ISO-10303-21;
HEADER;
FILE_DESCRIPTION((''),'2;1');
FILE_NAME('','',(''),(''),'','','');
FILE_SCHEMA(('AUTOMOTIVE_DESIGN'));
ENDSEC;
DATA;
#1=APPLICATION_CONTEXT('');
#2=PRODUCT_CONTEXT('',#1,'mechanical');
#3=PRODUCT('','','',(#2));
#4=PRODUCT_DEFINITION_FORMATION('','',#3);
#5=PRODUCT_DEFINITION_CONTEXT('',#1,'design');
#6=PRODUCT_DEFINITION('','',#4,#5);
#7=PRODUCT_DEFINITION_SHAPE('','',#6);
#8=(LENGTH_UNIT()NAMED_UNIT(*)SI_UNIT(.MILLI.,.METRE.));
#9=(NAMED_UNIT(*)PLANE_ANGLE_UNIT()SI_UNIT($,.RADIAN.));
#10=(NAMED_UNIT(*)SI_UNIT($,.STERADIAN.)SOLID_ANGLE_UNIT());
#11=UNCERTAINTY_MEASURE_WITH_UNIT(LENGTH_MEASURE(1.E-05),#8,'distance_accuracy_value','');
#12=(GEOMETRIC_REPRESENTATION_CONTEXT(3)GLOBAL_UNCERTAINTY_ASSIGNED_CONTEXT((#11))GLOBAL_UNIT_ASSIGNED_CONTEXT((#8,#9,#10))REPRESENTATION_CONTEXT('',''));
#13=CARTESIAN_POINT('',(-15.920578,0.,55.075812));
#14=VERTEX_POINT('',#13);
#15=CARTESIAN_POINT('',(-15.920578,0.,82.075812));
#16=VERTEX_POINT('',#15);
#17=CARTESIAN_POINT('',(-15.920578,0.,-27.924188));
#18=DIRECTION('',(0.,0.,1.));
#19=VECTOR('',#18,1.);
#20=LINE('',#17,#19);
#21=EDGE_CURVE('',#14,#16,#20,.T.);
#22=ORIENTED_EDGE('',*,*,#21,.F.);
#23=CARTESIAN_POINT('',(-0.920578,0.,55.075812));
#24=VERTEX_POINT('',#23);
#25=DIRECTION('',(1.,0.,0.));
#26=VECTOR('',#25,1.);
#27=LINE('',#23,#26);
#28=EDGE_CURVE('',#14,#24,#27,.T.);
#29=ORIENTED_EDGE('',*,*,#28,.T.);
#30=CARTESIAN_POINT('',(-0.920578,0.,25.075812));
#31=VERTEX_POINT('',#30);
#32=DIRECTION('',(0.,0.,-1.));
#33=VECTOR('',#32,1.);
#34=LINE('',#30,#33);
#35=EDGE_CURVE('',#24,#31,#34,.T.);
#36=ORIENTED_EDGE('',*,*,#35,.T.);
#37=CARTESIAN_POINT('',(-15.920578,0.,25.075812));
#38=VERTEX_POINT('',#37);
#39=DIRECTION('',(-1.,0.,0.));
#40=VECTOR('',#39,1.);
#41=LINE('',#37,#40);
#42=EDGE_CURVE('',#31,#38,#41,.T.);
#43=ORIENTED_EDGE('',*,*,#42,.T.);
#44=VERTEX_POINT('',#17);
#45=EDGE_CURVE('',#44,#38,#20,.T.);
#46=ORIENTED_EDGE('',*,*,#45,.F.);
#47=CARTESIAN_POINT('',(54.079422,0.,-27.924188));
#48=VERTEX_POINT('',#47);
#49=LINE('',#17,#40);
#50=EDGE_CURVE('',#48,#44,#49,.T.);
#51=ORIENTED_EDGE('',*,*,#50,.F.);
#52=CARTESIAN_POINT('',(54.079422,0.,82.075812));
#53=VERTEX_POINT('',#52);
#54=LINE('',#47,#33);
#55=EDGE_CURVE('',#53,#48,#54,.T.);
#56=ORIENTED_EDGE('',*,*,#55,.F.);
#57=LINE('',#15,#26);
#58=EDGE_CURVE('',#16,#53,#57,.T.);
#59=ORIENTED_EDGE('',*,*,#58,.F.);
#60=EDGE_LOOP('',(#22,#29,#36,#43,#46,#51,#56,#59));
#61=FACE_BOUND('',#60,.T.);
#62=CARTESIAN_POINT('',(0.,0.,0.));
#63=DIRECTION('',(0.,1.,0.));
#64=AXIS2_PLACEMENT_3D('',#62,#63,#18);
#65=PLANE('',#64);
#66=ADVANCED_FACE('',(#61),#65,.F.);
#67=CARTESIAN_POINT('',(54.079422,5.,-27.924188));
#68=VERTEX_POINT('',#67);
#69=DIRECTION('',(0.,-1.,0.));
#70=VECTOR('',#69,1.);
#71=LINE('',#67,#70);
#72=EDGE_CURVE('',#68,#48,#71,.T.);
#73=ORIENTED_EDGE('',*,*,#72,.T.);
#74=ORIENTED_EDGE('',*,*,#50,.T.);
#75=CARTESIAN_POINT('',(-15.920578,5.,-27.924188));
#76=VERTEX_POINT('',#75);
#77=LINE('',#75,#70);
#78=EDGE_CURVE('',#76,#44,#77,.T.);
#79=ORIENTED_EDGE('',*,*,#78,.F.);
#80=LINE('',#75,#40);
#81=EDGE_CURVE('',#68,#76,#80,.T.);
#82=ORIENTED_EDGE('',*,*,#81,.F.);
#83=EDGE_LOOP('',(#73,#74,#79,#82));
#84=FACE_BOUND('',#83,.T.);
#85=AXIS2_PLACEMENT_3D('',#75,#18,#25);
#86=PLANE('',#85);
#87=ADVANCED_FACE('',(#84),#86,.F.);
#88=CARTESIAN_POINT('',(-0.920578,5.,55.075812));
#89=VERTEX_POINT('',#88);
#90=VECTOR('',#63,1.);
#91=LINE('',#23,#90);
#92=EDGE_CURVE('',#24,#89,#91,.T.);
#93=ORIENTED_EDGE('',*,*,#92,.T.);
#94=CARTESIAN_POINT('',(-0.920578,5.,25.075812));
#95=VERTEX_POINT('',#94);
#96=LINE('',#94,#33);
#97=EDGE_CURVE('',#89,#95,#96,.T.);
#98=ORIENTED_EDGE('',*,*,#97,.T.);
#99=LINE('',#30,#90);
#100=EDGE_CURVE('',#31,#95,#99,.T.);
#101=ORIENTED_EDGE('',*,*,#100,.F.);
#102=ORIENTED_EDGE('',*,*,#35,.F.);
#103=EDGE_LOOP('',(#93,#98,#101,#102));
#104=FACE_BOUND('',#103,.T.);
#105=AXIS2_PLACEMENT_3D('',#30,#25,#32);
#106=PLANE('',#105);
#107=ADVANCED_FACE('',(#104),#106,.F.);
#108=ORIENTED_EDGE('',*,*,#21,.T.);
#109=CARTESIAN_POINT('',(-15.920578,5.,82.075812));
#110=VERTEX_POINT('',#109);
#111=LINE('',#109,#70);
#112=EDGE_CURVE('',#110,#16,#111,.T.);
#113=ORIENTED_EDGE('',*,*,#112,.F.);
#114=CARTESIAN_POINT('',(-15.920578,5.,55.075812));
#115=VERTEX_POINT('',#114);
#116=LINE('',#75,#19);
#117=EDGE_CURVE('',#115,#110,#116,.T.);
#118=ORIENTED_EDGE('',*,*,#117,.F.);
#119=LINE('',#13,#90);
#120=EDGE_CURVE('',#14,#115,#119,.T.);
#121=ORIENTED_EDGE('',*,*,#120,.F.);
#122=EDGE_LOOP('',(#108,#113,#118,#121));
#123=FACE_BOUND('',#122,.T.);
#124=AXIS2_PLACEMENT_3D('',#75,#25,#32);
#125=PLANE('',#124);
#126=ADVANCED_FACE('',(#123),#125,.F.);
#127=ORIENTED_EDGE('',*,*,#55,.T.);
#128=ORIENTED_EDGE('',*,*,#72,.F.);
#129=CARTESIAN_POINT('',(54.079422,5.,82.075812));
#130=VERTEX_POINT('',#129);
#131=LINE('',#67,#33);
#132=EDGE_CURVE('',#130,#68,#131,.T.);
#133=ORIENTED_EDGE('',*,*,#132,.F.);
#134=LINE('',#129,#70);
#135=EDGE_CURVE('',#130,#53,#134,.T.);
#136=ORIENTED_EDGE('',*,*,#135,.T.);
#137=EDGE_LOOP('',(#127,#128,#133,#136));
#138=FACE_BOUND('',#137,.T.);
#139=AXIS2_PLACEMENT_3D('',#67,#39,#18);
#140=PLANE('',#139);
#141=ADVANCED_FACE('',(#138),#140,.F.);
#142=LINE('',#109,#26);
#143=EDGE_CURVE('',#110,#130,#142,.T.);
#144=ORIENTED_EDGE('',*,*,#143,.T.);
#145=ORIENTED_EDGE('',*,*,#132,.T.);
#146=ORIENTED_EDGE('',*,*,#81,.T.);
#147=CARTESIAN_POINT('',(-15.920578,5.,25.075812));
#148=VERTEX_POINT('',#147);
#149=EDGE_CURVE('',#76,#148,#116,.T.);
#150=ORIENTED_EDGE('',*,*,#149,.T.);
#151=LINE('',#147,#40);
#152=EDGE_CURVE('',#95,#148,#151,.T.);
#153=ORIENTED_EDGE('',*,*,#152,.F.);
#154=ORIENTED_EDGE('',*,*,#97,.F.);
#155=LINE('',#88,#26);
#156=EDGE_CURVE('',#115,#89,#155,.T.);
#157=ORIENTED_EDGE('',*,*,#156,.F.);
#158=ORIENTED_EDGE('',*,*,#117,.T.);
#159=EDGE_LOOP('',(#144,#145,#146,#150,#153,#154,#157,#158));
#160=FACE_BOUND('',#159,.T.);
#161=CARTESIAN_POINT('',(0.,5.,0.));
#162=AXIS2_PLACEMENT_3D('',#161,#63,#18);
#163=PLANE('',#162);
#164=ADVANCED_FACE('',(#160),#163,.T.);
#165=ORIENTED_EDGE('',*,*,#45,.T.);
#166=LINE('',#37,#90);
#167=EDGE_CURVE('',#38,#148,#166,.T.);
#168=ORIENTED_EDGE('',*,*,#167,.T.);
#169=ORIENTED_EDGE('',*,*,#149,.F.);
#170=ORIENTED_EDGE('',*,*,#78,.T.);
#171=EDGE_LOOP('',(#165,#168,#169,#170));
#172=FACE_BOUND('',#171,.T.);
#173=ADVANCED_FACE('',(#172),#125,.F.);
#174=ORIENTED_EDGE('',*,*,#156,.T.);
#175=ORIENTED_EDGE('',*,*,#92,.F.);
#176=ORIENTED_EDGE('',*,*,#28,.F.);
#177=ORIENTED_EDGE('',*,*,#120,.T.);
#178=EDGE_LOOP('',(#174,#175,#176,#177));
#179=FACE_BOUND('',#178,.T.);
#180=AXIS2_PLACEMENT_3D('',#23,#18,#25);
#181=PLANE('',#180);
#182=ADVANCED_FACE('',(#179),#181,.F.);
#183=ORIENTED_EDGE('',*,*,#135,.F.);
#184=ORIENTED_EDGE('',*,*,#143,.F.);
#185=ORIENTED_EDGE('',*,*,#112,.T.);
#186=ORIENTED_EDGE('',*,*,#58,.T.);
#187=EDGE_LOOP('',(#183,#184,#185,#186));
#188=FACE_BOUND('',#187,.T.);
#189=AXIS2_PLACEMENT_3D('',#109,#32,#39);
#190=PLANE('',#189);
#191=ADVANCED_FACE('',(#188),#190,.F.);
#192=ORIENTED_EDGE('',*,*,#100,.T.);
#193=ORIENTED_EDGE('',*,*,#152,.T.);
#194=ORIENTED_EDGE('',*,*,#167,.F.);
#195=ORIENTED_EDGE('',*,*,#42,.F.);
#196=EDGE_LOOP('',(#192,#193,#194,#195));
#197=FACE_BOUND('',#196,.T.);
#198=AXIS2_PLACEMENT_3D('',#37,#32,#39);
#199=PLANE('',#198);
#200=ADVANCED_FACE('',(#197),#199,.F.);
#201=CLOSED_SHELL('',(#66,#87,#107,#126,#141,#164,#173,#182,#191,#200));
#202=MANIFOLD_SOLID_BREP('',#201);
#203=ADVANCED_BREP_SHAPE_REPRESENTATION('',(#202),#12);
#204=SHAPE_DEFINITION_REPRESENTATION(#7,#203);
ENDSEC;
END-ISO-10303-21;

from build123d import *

# Parameters (mm, degrees)
CROQUIS1_W              = 70
CROQUIS1_H              = 110
SALIENTE_EXTRUIR1_DEPTH = 5
CROQUIS2_W              = 15
CROQUIS2_H              = 30
CORTAR_EXTRUIR1_DEPTH   = 99.417594391


with BuildPart() as part:
    # Croquis1 → Saliente-Extruir1 (new body)
    with BuildSketch(Plane(origin=(0, 0, 0), x_dir=(1, 0, 0), z_dir=(0, 1, 0))):
        with Locations((19.079422383, -27.075812274)):
            Rectangle(CROQUIS1_W, CROQUIS1_H)
    extrude(amount=SALIENTE_EXTRUIR1_DEPTH)

    # Croquis2 → Cortar-Extruir1 (cut, through all)
    with BuildSketch(Plane(origin=(0, 5, 0), x_dir=(1, 0, 0), z_dir=(0, 1, 0))):
        with Locations((-8.420577617, -40.075812274)):
            Rectangle(CROQUIS2_W, CROQUIS2_H)
    extrude(amount=-CORTAR_EXTRUIR1_DEPTH, mode=Mode.SUBTRACT)


solid = part.part
